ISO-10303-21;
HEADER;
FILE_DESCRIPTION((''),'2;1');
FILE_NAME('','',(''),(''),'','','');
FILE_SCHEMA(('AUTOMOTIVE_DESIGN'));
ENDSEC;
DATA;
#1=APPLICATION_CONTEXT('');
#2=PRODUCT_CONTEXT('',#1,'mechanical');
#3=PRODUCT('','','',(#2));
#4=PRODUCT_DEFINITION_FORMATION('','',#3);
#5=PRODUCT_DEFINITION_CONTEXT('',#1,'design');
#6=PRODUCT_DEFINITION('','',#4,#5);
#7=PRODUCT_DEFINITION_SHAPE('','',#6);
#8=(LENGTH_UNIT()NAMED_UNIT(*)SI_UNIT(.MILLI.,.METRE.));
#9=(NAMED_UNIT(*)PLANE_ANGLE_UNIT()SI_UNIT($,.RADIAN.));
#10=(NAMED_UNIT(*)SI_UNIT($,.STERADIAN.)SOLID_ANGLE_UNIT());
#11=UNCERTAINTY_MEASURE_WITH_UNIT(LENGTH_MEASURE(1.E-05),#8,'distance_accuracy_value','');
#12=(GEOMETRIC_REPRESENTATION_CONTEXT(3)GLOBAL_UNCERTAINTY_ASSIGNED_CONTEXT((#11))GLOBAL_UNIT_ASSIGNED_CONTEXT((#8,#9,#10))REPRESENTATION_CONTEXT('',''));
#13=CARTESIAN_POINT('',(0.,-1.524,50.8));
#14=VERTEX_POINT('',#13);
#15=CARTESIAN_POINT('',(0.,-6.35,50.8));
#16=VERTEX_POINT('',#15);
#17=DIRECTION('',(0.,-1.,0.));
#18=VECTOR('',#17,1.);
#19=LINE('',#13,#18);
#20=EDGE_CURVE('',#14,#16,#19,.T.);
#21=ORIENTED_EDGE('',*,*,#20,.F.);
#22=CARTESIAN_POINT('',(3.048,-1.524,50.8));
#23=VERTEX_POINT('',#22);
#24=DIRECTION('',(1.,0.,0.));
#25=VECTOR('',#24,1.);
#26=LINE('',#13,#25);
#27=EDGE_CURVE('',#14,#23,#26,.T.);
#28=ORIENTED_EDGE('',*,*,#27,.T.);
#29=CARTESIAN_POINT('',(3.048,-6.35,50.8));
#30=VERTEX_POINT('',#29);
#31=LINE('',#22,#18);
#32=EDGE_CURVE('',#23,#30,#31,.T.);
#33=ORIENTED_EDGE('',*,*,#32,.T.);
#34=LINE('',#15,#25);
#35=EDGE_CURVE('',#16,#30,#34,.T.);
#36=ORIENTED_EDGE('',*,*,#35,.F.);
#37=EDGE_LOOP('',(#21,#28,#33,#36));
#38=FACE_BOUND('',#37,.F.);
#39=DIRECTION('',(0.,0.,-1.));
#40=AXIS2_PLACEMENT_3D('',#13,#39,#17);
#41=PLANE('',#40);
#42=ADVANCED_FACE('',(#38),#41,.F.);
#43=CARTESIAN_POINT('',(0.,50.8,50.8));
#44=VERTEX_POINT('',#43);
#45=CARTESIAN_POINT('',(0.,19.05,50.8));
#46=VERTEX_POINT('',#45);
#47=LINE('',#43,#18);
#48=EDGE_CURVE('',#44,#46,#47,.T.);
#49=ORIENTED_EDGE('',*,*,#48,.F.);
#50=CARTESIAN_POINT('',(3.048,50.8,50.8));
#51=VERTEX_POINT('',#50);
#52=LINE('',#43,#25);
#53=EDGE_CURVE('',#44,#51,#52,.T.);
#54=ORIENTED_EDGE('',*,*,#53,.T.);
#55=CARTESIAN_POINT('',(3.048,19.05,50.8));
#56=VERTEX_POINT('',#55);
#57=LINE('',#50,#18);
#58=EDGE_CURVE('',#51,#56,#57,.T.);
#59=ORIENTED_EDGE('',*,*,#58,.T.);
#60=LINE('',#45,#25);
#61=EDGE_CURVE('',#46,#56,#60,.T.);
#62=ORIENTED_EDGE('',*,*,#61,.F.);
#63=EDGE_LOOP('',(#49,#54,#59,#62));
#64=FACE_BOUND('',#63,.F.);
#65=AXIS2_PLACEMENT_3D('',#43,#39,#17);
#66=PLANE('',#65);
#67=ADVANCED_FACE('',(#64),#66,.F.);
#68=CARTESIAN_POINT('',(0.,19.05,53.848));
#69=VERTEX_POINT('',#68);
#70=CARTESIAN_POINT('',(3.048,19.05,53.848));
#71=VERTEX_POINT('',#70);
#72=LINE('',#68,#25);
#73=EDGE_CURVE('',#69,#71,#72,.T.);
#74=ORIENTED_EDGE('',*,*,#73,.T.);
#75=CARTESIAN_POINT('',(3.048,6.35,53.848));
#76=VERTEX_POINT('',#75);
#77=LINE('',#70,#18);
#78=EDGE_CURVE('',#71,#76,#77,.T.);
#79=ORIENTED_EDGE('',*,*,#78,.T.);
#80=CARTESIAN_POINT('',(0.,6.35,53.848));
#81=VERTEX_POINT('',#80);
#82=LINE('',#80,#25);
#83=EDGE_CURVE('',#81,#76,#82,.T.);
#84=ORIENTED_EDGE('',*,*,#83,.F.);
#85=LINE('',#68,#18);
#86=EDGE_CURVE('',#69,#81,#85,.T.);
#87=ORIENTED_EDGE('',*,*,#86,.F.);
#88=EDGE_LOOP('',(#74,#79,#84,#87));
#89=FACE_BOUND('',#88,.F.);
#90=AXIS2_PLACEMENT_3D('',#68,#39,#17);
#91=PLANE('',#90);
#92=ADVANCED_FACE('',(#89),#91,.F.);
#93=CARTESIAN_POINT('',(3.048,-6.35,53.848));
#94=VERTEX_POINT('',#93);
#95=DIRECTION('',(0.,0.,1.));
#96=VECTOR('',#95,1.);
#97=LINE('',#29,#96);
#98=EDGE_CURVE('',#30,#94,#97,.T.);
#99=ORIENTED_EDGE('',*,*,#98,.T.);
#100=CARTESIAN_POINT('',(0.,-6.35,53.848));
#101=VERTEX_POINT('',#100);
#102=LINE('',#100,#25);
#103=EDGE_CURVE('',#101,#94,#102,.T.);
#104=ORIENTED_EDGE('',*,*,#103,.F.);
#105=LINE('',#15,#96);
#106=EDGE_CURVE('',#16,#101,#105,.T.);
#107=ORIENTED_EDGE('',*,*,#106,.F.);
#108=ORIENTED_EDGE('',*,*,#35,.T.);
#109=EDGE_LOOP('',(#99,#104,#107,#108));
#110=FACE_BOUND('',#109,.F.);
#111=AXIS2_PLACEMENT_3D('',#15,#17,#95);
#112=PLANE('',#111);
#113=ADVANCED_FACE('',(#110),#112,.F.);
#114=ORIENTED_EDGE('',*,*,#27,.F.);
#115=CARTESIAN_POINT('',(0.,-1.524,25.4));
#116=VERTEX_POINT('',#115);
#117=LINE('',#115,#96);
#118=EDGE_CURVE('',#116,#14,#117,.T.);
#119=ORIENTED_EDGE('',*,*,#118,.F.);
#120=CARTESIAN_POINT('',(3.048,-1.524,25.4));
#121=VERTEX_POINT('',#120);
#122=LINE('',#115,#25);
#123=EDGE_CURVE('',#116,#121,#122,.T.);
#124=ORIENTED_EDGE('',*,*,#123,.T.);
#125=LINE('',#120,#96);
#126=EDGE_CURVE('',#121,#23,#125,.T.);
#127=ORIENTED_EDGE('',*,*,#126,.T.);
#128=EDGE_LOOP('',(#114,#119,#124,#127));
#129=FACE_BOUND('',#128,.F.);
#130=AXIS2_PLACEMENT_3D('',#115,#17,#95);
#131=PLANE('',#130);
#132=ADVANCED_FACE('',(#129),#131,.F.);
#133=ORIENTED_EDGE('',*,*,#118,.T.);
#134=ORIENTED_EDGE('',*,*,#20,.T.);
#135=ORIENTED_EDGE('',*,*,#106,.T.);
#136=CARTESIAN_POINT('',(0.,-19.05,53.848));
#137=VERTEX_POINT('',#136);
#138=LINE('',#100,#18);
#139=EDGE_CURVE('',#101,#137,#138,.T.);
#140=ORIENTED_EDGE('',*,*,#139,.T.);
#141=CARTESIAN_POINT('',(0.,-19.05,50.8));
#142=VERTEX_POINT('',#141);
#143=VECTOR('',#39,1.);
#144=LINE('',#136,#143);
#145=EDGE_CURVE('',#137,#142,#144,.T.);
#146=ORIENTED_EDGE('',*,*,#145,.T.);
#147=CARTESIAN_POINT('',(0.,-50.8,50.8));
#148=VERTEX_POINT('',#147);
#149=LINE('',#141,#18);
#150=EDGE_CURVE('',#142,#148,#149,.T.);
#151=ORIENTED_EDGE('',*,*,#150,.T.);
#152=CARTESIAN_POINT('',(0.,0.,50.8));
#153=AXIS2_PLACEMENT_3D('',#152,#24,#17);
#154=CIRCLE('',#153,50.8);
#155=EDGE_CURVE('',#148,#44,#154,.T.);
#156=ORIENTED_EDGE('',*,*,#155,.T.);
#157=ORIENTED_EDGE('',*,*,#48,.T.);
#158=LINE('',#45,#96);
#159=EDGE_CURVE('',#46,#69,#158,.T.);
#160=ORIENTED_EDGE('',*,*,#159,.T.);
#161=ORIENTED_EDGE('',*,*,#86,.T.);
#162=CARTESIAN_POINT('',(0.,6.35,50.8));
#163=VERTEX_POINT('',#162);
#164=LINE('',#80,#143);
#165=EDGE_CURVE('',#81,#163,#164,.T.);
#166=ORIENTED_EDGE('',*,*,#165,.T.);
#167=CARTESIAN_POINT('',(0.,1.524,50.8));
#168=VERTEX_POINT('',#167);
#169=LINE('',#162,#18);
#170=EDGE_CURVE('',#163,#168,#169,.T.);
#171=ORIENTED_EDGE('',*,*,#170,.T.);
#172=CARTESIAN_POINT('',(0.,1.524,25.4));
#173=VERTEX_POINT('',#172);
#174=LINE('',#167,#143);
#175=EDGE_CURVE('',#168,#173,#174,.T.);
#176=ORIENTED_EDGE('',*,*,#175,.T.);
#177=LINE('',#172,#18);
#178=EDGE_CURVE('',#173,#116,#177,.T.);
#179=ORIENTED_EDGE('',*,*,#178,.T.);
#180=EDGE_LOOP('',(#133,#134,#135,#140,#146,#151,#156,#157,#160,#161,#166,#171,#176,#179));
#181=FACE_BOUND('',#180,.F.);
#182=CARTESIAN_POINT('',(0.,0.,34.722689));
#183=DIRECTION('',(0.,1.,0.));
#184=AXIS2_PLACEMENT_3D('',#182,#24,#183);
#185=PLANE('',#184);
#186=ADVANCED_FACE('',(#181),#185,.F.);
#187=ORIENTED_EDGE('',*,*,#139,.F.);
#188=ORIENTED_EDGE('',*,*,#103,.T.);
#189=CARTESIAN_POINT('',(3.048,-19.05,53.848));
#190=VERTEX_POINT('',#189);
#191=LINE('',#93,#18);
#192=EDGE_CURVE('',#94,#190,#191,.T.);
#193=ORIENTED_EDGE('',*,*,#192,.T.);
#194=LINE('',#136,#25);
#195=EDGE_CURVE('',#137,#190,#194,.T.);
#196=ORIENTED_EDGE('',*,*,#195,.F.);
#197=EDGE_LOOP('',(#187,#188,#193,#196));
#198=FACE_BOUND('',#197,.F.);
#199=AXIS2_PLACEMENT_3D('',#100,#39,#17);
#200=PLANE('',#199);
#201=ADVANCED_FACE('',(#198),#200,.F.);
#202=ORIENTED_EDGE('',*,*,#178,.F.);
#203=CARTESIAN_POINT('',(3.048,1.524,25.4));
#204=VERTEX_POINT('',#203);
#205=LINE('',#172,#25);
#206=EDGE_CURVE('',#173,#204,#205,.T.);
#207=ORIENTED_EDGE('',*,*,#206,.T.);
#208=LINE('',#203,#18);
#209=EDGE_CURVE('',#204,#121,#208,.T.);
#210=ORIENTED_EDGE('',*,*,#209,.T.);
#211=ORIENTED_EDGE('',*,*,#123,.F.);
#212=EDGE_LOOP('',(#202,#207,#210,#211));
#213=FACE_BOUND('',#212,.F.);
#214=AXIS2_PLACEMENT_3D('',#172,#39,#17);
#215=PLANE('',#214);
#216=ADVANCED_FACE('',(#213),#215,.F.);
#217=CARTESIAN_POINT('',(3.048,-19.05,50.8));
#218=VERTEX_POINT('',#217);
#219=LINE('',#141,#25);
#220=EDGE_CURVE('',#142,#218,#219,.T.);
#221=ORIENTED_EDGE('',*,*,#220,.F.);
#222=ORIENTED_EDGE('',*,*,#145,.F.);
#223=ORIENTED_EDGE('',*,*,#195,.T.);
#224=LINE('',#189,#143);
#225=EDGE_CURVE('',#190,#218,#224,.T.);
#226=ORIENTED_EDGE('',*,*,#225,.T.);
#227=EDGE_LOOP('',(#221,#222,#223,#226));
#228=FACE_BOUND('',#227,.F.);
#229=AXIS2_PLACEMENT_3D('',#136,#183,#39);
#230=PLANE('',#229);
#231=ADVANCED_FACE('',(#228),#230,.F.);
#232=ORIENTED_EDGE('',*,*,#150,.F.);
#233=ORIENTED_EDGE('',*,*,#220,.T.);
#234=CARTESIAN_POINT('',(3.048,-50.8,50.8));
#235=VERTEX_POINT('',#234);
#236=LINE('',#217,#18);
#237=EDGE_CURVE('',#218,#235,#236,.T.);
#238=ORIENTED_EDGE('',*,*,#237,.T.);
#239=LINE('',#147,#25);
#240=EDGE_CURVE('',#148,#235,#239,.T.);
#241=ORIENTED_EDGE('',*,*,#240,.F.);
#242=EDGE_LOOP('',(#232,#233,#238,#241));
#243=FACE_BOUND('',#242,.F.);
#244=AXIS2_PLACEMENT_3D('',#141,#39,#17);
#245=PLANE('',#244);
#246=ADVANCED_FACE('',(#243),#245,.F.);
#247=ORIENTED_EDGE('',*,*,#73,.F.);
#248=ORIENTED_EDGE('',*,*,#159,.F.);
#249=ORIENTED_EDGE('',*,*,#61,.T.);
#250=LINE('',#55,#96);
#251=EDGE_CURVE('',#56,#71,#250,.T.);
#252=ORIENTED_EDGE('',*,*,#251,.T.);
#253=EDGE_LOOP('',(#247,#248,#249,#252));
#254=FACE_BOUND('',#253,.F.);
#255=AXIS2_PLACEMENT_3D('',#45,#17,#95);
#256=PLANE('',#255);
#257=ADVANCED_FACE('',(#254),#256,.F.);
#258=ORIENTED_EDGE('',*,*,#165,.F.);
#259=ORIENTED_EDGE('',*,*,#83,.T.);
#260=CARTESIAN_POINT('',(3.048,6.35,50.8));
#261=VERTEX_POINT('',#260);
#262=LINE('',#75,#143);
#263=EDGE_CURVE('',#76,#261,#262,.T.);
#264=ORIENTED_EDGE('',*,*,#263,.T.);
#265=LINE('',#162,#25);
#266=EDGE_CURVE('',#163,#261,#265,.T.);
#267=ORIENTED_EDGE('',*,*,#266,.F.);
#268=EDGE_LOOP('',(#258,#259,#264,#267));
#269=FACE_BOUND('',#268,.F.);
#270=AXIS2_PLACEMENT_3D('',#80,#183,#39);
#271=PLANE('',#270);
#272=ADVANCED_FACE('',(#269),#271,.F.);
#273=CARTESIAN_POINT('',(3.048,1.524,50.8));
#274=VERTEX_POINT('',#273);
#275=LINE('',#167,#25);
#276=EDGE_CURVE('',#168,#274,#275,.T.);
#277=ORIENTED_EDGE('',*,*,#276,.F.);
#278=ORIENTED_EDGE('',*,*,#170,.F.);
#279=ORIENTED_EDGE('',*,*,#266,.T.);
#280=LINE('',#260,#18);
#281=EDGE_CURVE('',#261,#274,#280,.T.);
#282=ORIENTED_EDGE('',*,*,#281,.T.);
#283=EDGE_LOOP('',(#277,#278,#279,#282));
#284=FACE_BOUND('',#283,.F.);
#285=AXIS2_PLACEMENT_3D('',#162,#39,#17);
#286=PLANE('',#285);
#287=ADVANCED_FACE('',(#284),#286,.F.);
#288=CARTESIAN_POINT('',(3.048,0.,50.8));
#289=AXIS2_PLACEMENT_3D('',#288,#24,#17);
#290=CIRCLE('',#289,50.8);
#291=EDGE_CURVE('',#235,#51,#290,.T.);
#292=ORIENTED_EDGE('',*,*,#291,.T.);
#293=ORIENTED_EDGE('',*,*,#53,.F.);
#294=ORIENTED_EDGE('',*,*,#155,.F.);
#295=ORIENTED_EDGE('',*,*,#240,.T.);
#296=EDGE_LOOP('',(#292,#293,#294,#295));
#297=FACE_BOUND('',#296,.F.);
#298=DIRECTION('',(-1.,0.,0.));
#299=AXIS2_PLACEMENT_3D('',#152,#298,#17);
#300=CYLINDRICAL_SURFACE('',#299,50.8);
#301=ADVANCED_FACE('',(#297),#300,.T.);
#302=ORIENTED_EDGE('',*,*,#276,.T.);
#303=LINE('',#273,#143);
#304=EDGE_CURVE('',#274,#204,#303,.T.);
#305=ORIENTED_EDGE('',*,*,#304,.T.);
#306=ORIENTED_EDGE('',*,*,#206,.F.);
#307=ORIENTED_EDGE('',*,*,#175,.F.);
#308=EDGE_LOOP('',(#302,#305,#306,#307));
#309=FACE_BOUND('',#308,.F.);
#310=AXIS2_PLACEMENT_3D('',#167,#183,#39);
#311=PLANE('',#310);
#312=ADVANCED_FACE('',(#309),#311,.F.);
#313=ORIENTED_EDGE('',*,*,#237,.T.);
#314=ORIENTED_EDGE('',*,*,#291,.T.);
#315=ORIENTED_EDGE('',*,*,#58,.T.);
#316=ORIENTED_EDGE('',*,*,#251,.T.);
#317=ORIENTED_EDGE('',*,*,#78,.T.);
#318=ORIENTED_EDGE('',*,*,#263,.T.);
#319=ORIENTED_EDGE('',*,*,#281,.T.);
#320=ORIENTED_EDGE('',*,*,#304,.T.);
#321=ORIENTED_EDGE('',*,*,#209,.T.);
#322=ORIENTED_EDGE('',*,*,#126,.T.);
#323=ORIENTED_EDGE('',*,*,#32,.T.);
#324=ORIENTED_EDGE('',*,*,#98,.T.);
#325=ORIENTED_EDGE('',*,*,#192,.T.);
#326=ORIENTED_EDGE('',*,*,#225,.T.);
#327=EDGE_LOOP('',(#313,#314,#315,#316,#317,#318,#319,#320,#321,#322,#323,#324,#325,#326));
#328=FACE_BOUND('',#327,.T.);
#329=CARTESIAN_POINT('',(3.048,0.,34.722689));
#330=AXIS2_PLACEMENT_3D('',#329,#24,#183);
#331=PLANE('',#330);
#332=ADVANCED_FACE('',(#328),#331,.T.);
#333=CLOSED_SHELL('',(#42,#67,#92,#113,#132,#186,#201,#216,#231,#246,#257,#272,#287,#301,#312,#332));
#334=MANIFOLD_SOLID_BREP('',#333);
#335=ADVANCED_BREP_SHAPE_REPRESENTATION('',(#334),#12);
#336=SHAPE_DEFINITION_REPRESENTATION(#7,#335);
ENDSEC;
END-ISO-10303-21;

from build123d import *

# Parameters (mm, degrees)
F1_DEPTH = 3.048


with BuildPart() as f1:
    # F0 (on Right) → F1 (new body)
    with BuildSketch(Plane.YZ):
        with BuildLine():
            Line((-19.05, 50.8), (-50.8, 50.8))
            ThreePointArc((-50.8, 50.8), (0, 0), (50.8, 50.8))
            Line((50.8, 50.8), (19.05, 50.8))
            Line((19.05, 50.8), (19.05, 53.848))
            Line((19.05, 53.848), (6.35, 53.848))
            Line((6.35, 53.848), (6.35, 50.8))
            Line((6.35, 50.8), (1.524, 50.8))
            Line((1.524, 50.8), (1.524, 25.4))
            Line((1.524, 25.4), (-1.524, 25.4))
            Line((-1.524, 25.4), (-1.524, 50.8))
            Line((-1.524, 50.8), (-6.35, 50.8))
            Line((-6.35, 50.8), (-6.35, 53.848))
            Line((-6.35, 53.848), (-19.05, 53.848))
            Line((-19.05, 53.848), (-19.05, 50.8))
        make_face()
    extrude(amount=F1_DEPTH)


solid = f1.part
